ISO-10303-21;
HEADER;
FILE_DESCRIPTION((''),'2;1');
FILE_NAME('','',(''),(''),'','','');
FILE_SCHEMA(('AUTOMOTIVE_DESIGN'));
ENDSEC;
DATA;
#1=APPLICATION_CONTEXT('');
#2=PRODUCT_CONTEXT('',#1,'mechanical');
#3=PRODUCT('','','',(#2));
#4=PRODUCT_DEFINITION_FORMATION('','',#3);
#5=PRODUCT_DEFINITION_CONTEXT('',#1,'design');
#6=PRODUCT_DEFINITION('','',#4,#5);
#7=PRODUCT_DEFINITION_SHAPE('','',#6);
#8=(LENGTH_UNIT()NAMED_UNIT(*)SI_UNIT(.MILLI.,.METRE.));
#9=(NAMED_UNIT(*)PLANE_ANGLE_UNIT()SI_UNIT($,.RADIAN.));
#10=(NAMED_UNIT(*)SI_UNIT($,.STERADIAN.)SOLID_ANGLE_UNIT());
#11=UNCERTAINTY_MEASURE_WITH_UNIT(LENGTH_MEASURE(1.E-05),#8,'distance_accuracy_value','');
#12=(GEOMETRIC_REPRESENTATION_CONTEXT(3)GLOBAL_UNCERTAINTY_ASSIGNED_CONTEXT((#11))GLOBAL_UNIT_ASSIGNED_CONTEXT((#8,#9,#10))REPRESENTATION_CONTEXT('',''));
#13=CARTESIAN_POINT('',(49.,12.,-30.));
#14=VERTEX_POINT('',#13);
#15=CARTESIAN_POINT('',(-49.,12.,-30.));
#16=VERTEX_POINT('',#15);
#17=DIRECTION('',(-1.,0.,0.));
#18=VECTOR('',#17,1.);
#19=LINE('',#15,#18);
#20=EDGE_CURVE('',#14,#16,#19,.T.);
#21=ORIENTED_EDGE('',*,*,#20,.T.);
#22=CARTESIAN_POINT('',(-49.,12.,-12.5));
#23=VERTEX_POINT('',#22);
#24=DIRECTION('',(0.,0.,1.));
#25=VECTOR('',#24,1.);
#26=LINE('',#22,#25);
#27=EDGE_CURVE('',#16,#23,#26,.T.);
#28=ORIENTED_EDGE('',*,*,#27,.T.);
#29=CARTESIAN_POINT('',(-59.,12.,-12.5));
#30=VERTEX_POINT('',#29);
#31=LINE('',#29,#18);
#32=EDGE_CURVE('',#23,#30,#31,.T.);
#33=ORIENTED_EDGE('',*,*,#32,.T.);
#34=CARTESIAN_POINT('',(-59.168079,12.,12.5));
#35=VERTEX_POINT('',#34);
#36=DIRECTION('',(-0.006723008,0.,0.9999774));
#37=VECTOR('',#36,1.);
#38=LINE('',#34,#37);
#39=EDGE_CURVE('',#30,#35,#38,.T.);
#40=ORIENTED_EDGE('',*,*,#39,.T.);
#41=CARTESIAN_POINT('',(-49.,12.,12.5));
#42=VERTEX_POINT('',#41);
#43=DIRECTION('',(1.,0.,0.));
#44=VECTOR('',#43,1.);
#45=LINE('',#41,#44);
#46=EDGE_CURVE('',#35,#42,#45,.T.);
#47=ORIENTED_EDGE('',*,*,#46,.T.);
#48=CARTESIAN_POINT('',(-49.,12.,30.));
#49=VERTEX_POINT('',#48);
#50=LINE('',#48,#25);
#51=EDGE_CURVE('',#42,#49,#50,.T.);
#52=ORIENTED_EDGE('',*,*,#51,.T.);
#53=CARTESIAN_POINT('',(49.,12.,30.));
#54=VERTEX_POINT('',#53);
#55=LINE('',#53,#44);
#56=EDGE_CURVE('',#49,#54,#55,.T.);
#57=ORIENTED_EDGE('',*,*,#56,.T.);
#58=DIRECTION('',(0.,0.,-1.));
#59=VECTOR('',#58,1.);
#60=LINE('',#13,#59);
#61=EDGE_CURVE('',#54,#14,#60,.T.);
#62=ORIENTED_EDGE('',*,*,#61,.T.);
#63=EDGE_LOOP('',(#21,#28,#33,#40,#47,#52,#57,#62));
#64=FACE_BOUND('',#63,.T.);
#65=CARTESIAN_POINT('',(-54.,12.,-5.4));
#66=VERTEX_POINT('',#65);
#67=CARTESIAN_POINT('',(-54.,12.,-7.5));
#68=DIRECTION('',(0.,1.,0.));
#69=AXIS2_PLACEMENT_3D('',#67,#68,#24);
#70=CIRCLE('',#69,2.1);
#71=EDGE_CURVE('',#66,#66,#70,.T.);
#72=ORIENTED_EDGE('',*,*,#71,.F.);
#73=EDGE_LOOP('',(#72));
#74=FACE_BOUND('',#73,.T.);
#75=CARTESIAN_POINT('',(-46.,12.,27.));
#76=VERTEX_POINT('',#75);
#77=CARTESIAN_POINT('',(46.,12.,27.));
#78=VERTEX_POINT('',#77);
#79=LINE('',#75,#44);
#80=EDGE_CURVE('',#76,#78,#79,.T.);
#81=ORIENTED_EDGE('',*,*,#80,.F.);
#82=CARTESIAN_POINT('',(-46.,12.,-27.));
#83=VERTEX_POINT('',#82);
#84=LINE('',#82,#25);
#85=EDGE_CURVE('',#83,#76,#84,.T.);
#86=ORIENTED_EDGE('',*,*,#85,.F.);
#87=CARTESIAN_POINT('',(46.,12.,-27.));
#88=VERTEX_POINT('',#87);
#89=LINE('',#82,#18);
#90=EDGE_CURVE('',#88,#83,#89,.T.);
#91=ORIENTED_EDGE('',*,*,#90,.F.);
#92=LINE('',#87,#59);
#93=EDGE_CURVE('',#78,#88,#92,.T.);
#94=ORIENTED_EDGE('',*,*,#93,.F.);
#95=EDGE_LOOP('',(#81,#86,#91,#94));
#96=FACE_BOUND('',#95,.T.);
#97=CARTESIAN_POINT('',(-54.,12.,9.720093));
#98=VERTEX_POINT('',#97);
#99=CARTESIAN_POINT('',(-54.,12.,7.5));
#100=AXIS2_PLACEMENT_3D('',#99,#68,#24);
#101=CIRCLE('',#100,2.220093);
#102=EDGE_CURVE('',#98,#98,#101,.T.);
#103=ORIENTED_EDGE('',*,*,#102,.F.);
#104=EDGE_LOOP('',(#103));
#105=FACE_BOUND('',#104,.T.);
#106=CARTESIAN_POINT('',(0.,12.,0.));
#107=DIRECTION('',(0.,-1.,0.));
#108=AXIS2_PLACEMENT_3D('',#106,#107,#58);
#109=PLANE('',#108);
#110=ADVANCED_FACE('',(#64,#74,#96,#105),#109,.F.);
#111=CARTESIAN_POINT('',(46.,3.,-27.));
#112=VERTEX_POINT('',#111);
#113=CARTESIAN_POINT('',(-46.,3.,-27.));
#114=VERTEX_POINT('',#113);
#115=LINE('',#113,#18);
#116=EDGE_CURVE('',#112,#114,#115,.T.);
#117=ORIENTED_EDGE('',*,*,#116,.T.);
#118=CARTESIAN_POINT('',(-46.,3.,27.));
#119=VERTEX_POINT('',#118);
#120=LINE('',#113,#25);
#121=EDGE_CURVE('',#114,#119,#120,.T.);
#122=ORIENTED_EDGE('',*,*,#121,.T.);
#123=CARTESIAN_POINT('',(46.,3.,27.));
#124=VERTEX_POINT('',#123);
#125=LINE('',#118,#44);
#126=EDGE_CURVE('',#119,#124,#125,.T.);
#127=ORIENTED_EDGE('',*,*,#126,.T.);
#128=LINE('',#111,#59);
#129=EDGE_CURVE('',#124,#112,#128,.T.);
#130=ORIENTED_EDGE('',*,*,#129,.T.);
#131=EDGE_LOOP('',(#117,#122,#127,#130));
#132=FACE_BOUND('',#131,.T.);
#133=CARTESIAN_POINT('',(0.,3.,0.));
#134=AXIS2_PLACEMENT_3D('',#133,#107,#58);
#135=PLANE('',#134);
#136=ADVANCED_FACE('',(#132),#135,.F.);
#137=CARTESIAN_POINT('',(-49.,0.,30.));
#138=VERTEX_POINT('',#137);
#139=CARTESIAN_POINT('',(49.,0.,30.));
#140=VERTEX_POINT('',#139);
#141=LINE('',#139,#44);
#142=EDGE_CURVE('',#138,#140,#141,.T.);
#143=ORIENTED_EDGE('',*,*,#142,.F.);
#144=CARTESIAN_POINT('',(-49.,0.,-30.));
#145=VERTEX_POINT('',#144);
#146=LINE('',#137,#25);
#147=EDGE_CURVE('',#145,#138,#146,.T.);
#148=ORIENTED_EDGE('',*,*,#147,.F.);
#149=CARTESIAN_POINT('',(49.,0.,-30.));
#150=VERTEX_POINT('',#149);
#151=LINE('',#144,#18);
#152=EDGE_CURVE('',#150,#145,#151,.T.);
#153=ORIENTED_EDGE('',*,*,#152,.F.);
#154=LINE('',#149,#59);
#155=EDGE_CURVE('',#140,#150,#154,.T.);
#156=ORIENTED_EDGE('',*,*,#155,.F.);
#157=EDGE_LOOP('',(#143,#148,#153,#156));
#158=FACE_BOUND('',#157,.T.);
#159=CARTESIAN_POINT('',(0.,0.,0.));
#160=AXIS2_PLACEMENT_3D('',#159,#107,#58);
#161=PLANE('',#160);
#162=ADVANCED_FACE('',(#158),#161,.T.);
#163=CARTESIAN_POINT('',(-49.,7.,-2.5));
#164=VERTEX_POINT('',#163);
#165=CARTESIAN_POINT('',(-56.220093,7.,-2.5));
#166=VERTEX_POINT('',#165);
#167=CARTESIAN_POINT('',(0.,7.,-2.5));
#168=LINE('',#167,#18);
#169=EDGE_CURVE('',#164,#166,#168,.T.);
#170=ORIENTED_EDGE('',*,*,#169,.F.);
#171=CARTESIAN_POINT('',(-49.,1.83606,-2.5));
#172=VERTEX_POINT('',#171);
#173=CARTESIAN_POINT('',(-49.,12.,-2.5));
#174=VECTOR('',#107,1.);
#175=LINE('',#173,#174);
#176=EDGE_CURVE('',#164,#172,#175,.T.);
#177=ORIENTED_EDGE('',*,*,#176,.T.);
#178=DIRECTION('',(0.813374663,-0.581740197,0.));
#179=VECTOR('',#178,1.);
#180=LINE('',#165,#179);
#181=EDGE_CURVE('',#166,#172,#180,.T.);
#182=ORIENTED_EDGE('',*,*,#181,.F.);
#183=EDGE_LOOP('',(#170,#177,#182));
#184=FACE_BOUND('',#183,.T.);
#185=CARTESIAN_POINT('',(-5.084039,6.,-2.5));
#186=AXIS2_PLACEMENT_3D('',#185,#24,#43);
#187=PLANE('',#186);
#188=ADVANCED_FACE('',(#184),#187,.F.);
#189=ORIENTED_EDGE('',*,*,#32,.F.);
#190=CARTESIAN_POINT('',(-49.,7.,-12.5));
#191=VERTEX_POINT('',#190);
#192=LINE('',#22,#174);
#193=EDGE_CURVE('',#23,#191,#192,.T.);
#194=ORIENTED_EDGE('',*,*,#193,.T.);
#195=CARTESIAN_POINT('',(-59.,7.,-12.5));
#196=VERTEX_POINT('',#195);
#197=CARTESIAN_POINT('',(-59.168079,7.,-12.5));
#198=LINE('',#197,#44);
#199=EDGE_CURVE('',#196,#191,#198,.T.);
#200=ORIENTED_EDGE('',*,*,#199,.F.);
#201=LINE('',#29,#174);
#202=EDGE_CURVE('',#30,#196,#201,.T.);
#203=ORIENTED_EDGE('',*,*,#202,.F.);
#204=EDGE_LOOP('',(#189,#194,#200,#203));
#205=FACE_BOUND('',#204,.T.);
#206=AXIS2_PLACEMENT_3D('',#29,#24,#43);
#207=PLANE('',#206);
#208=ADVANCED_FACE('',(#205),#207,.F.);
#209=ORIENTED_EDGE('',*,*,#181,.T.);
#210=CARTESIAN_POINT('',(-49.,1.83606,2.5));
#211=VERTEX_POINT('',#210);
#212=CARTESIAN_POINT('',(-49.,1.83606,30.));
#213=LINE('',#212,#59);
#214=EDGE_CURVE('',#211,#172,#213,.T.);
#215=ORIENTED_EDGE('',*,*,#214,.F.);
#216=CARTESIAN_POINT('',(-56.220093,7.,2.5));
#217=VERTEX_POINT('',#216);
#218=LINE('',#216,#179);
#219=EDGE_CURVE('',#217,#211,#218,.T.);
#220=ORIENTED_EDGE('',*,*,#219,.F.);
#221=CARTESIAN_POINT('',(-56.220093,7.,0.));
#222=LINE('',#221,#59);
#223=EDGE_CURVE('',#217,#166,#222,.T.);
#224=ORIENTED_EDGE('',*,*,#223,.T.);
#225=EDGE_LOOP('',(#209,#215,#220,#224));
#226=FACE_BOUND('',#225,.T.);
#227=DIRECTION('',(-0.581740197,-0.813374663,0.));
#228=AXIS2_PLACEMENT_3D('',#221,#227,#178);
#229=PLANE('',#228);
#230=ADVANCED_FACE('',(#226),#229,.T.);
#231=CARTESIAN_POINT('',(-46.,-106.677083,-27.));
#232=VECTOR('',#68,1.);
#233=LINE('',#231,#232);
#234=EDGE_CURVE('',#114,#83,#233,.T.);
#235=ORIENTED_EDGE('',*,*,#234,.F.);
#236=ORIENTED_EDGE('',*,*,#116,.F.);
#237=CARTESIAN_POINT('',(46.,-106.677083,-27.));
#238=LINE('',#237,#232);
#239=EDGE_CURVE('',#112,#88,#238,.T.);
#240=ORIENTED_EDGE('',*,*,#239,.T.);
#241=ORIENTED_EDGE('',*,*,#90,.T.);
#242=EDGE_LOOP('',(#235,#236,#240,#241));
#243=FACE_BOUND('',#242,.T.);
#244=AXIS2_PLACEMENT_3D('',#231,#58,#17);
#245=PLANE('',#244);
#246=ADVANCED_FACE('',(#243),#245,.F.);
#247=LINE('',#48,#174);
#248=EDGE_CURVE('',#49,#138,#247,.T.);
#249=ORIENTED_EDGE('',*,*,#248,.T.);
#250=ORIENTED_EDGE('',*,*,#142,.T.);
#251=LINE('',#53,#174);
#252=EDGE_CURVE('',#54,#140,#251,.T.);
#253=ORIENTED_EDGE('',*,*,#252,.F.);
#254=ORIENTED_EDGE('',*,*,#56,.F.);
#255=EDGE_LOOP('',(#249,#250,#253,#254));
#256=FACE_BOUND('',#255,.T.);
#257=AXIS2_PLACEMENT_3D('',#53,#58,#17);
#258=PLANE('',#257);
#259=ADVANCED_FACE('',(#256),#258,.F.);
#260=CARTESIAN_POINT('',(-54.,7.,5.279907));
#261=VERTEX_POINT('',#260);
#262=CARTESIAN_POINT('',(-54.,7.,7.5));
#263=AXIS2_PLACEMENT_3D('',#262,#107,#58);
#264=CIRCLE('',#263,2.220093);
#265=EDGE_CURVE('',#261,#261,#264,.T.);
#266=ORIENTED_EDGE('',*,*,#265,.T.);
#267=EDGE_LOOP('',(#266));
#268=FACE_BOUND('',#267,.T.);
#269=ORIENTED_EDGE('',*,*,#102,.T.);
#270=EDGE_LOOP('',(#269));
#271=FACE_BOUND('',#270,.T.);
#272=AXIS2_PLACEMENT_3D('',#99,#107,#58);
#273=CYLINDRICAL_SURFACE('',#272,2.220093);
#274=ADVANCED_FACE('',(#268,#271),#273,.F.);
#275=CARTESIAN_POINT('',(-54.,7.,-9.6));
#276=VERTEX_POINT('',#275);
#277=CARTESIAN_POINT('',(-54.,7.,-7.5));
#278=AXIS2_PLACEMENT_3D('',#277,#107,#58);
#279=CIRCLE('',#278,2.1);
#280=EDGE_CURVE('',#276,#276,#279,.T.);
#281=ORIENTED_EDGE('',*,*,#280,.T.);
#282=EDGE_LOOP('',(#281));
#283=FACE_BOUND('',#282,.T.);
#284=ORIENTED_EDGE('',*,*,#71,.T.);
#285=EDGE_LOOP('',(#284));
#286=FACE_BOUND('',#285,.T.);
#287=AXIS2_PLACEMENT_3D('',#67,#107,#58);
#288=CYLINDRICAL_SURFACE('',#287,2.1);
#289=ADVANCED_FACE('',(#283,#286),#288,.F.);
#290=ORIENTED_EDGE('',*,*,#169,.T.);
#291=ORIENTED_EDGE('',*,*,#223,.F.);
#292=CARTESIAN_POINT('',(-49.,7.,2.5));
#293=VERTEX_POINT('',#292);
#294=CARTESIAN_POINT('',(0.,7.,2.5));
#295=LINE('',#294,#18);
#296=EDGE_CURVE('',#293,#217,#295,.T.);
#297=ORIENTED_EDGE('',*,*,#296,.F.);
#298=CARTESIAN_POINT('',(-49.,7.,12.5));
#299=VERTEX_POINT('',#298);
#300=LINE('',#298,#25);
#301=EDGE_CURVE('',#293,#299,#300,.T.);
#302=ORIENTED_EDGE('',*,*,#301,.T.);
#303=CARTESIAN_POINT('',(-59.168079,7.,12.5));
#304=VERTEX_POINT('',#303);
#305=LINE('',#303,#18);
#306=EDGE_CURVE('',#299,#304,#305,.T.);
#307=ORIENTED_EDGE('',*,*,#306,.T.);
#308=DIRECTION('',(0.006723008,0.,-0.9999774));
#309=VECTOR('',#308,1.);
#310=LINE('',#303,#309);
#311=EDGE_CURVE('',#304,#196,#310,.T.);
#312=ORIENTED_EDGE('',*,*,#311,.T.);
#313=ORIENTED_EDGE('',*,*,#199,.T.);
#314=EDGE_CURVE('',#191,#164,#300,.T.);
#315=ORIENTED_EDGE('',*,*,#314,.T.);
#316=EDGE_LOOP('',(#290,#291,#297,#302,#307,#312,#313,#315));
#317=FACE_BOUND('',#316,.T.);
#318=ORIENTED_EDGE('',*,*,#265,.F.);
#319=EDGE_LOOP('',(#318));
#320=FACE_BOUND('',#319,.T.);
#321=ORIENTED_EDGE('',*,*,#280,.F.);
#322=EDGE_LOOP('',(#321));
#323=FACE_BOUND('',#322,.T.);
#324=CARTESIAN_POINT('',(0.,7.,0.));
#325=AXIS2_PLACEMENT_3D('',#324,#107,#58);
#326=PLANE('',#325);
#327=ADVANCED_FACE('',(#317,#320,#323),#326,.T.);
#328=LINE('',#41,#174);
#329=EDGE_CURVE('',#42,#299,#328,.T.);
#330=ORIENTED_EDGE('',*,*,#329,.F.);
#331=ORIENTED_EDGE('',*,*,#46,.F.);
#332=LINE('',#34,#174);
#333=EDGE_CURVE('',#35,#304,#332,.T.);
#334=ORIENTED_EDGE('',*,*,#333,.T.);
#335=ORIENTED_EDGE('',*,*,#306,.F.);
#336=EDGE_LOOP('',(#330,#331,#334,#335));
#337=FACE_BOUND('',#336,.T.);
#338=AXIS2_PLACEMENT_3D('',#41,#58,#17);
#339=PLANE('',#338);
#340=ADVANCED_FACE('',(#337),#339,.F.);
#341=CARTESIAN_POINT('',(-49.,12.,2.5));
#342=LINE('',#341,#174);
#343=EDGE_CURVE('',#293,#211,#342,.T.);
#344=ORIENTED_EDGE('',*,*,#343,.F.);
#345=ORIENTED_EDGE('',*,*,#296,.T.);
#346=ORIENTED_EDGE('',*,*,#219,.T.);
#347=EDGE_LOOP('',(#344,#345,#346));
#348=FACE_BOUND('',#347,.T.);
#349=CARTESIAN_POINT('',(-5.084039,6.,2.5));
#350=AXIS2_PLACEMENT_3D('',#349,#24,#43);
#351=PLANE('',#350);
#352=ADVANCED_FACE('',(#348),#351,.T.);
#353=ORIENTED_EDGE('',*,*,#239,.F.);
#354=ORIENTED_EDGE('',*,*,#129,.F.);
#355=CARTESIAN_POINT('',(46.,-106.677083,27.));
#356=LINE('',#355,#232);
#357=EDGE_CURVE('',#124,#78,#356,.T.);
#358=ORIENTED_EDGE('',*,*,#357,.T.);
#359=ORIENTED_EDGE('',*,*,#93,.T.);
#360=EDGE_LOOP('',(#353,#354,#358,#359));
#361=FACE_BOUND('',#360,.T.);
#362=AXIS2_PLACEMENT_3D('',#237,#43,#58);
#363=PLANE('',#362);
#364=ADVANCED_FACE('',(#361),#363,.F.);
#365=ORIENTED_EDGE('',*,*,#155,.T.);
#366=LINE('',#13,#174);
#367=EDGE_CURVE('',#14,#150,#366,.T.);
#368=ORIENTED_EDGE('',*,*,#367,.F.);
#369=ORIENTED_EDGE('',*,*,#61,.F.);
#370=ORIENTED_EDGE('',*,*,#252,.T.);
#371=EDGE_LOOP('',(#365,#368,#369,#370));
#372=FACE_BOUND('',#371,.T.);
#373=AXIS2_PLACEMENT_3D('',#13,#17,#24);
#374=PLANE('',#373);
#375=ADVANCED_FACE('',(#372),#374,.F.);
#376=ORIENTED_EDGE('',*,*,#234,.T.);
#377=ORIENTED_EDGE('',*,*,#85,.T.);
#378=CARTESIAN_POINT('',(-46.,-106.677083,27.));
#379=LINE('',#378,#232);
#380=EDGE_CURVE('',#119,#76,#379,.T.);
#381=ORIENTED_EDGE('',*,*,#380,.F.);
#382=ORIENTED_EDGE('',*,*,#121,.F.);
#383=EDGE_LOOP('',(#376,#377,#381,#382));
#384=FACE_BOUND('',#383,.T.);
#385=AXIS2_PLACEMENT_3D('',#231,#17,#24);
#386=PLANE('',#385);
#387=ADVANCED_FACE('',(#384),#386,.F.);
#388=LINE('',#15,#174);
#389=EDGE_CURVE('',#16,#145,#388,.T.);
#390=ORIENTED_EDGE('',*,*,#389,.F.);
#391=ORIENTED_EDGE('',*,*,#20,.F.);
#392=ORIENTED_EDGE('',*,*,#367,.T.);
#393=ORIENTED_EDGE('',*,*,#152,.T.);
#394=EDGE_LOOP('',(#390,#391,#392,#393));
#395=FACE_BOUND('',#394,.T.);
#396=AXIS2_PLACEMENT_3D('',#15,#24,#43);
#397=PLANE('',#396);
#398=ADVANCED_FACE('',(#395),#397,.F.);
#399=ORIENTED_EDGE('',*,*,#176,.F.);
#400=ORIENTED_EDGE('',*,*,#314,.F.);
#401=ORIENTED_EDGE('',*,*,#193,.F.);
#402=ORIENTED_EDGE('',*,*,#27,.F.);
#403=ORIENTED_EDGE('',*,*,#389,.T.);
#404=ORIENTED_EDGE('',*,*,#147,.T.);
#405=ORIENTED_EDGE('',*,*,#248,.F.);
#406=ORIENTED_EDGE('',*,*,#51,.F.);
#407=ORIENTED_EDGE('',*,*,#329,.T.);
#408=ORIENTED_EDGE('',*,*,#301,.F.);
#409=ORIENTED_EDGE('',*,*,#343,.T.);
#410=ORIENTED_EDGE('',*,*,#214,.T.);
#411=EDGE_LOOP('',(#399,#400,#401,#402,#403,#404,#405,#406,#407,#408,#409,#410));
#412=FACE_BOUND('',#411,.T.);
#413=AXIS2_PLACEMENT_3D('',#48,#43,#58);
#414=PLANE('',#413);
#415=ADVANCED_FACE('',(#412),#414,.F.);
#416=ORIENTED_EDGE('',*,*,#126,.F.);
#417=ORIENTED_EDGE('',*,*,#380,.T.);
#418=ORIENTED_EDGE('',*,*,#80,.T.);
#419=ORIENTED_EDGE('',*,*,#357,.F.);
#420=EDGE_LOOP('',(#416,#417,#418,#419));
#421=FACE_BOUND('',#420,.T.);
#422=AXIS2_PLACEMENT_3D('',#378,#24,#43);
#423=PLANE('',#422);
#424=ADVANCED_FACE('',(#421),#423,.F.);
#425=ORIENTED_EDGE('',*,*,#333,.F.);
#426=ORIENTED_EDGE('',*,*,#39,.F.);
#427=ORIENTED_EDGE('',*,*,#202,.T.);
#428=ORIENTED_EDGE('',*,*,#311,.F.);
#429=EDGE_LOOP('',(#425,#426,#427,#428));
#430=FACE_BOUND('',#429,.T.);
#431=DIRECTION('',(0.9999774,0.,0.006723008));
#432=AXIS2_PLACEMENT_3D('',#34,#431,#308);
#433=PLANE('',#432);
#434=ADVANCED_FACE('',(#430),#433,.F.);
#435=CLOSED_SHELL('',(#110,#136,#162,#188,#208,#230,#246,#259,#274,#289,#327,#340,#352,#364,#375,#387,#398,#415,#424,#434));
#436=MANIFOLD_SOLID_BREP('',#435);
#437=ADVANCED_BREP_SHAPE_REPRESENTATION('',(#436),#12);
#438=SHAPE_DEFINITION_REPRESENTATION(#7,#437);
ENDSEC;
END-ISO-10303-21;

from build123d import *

# Parameters (mm, degrees)
SKETCH_1_R          = 2.1
SKETCH_1_R_2        = 2.220092539
EXTRUDE_1_DEPTH     = 12
SKETCH_2_W          = 92
SKETCH_2_H          = 54
CUT_EXTRUDE_1_DEPTH = 9
SKETCH_3_W          = 10.168078989
SKETCH_3_H          = 25
CUT_EXTRUDE_2_DEPTH = 7
RIB_1_REACH         = 69.416
SKETCH_5_WALL_W     = 145.707888858
SKETCH_5_WALL_H     = 5


with BuildPart() as part:
    # 草图1 → 凸台-拉伸1 (new body)
    with BuildSketch(Plane(origin=(0, 0, 0), x_dir=(1, 0, 0), z_dir=(0, 1, 0))):
        Polygon((49, -30), (-49, -30), (-49, -12.5), (-59.168078989, -12.5), (-59, 12.5), (-49, 12.5), (-49, 30), (49, 30), align=None)
        with Locations(Location((-54, 7.5, 0), (0, 0, 270))):
            Circle(SKETCH_1_R, mode=Mode.SUBTRACT)
        with Locations(Location((-54, -7.5, 0), (0, 0, 270))):
            Circle(SKETCH_1_R_2, mode=Mode.SUBTRACT)
    extrude(amount=EXTRUDE_1_DEPTH)

    # 草图2 → 切除-拉伸1 (cut)
    with BuildSketch(Plane(origin=(0, 12, 0), x_dir=(1, 0, 0), z_dir=(0, 1, 0))):
        Rectangle(SKETCH_2_W, SKETCH_2_H)
    extrude(amount=-CUT_EXTRUDE_1_DEPTH, mode=Mode.SUBTRACT)

    # 草图3 → 切除-拉伸2 (cut)
    with BuildSketch(Plane.XZ):
        with Locations((-54.084039495, 0)):
            Rectangle(SKETCH_3_W, SKETCH_3_H)
    extrude(amount=-CUT_EXTRUDE_2_DEPTH, mode=Mode.SUBTRACT)

    # 草图5 wall → 筋1 (add, up to next)
    with BuildSketch(Plane(origin=(-52.61004627, 4.418029941, 0), x_dir=(0.813374663447, -0.581740197049, 0), z_dir=(0.581740197049, 0.813374663447, 0)), mode=Mode.PRIVATE) as rib_1_sk1:
        Rectangle(SKETCH_5_WALL_W, SKETCH_5_WALL_H)
    rib_1_tool1 = extrude(rib_1_sk1.sketch, amount=RIB_1_REACH, mode=Mode.PRIVATE) - part.part
    add(rib_1_tool1.solids().sort_by_distance((-52.61004627, 4.418029941, 0))[0])


solid = part.part
